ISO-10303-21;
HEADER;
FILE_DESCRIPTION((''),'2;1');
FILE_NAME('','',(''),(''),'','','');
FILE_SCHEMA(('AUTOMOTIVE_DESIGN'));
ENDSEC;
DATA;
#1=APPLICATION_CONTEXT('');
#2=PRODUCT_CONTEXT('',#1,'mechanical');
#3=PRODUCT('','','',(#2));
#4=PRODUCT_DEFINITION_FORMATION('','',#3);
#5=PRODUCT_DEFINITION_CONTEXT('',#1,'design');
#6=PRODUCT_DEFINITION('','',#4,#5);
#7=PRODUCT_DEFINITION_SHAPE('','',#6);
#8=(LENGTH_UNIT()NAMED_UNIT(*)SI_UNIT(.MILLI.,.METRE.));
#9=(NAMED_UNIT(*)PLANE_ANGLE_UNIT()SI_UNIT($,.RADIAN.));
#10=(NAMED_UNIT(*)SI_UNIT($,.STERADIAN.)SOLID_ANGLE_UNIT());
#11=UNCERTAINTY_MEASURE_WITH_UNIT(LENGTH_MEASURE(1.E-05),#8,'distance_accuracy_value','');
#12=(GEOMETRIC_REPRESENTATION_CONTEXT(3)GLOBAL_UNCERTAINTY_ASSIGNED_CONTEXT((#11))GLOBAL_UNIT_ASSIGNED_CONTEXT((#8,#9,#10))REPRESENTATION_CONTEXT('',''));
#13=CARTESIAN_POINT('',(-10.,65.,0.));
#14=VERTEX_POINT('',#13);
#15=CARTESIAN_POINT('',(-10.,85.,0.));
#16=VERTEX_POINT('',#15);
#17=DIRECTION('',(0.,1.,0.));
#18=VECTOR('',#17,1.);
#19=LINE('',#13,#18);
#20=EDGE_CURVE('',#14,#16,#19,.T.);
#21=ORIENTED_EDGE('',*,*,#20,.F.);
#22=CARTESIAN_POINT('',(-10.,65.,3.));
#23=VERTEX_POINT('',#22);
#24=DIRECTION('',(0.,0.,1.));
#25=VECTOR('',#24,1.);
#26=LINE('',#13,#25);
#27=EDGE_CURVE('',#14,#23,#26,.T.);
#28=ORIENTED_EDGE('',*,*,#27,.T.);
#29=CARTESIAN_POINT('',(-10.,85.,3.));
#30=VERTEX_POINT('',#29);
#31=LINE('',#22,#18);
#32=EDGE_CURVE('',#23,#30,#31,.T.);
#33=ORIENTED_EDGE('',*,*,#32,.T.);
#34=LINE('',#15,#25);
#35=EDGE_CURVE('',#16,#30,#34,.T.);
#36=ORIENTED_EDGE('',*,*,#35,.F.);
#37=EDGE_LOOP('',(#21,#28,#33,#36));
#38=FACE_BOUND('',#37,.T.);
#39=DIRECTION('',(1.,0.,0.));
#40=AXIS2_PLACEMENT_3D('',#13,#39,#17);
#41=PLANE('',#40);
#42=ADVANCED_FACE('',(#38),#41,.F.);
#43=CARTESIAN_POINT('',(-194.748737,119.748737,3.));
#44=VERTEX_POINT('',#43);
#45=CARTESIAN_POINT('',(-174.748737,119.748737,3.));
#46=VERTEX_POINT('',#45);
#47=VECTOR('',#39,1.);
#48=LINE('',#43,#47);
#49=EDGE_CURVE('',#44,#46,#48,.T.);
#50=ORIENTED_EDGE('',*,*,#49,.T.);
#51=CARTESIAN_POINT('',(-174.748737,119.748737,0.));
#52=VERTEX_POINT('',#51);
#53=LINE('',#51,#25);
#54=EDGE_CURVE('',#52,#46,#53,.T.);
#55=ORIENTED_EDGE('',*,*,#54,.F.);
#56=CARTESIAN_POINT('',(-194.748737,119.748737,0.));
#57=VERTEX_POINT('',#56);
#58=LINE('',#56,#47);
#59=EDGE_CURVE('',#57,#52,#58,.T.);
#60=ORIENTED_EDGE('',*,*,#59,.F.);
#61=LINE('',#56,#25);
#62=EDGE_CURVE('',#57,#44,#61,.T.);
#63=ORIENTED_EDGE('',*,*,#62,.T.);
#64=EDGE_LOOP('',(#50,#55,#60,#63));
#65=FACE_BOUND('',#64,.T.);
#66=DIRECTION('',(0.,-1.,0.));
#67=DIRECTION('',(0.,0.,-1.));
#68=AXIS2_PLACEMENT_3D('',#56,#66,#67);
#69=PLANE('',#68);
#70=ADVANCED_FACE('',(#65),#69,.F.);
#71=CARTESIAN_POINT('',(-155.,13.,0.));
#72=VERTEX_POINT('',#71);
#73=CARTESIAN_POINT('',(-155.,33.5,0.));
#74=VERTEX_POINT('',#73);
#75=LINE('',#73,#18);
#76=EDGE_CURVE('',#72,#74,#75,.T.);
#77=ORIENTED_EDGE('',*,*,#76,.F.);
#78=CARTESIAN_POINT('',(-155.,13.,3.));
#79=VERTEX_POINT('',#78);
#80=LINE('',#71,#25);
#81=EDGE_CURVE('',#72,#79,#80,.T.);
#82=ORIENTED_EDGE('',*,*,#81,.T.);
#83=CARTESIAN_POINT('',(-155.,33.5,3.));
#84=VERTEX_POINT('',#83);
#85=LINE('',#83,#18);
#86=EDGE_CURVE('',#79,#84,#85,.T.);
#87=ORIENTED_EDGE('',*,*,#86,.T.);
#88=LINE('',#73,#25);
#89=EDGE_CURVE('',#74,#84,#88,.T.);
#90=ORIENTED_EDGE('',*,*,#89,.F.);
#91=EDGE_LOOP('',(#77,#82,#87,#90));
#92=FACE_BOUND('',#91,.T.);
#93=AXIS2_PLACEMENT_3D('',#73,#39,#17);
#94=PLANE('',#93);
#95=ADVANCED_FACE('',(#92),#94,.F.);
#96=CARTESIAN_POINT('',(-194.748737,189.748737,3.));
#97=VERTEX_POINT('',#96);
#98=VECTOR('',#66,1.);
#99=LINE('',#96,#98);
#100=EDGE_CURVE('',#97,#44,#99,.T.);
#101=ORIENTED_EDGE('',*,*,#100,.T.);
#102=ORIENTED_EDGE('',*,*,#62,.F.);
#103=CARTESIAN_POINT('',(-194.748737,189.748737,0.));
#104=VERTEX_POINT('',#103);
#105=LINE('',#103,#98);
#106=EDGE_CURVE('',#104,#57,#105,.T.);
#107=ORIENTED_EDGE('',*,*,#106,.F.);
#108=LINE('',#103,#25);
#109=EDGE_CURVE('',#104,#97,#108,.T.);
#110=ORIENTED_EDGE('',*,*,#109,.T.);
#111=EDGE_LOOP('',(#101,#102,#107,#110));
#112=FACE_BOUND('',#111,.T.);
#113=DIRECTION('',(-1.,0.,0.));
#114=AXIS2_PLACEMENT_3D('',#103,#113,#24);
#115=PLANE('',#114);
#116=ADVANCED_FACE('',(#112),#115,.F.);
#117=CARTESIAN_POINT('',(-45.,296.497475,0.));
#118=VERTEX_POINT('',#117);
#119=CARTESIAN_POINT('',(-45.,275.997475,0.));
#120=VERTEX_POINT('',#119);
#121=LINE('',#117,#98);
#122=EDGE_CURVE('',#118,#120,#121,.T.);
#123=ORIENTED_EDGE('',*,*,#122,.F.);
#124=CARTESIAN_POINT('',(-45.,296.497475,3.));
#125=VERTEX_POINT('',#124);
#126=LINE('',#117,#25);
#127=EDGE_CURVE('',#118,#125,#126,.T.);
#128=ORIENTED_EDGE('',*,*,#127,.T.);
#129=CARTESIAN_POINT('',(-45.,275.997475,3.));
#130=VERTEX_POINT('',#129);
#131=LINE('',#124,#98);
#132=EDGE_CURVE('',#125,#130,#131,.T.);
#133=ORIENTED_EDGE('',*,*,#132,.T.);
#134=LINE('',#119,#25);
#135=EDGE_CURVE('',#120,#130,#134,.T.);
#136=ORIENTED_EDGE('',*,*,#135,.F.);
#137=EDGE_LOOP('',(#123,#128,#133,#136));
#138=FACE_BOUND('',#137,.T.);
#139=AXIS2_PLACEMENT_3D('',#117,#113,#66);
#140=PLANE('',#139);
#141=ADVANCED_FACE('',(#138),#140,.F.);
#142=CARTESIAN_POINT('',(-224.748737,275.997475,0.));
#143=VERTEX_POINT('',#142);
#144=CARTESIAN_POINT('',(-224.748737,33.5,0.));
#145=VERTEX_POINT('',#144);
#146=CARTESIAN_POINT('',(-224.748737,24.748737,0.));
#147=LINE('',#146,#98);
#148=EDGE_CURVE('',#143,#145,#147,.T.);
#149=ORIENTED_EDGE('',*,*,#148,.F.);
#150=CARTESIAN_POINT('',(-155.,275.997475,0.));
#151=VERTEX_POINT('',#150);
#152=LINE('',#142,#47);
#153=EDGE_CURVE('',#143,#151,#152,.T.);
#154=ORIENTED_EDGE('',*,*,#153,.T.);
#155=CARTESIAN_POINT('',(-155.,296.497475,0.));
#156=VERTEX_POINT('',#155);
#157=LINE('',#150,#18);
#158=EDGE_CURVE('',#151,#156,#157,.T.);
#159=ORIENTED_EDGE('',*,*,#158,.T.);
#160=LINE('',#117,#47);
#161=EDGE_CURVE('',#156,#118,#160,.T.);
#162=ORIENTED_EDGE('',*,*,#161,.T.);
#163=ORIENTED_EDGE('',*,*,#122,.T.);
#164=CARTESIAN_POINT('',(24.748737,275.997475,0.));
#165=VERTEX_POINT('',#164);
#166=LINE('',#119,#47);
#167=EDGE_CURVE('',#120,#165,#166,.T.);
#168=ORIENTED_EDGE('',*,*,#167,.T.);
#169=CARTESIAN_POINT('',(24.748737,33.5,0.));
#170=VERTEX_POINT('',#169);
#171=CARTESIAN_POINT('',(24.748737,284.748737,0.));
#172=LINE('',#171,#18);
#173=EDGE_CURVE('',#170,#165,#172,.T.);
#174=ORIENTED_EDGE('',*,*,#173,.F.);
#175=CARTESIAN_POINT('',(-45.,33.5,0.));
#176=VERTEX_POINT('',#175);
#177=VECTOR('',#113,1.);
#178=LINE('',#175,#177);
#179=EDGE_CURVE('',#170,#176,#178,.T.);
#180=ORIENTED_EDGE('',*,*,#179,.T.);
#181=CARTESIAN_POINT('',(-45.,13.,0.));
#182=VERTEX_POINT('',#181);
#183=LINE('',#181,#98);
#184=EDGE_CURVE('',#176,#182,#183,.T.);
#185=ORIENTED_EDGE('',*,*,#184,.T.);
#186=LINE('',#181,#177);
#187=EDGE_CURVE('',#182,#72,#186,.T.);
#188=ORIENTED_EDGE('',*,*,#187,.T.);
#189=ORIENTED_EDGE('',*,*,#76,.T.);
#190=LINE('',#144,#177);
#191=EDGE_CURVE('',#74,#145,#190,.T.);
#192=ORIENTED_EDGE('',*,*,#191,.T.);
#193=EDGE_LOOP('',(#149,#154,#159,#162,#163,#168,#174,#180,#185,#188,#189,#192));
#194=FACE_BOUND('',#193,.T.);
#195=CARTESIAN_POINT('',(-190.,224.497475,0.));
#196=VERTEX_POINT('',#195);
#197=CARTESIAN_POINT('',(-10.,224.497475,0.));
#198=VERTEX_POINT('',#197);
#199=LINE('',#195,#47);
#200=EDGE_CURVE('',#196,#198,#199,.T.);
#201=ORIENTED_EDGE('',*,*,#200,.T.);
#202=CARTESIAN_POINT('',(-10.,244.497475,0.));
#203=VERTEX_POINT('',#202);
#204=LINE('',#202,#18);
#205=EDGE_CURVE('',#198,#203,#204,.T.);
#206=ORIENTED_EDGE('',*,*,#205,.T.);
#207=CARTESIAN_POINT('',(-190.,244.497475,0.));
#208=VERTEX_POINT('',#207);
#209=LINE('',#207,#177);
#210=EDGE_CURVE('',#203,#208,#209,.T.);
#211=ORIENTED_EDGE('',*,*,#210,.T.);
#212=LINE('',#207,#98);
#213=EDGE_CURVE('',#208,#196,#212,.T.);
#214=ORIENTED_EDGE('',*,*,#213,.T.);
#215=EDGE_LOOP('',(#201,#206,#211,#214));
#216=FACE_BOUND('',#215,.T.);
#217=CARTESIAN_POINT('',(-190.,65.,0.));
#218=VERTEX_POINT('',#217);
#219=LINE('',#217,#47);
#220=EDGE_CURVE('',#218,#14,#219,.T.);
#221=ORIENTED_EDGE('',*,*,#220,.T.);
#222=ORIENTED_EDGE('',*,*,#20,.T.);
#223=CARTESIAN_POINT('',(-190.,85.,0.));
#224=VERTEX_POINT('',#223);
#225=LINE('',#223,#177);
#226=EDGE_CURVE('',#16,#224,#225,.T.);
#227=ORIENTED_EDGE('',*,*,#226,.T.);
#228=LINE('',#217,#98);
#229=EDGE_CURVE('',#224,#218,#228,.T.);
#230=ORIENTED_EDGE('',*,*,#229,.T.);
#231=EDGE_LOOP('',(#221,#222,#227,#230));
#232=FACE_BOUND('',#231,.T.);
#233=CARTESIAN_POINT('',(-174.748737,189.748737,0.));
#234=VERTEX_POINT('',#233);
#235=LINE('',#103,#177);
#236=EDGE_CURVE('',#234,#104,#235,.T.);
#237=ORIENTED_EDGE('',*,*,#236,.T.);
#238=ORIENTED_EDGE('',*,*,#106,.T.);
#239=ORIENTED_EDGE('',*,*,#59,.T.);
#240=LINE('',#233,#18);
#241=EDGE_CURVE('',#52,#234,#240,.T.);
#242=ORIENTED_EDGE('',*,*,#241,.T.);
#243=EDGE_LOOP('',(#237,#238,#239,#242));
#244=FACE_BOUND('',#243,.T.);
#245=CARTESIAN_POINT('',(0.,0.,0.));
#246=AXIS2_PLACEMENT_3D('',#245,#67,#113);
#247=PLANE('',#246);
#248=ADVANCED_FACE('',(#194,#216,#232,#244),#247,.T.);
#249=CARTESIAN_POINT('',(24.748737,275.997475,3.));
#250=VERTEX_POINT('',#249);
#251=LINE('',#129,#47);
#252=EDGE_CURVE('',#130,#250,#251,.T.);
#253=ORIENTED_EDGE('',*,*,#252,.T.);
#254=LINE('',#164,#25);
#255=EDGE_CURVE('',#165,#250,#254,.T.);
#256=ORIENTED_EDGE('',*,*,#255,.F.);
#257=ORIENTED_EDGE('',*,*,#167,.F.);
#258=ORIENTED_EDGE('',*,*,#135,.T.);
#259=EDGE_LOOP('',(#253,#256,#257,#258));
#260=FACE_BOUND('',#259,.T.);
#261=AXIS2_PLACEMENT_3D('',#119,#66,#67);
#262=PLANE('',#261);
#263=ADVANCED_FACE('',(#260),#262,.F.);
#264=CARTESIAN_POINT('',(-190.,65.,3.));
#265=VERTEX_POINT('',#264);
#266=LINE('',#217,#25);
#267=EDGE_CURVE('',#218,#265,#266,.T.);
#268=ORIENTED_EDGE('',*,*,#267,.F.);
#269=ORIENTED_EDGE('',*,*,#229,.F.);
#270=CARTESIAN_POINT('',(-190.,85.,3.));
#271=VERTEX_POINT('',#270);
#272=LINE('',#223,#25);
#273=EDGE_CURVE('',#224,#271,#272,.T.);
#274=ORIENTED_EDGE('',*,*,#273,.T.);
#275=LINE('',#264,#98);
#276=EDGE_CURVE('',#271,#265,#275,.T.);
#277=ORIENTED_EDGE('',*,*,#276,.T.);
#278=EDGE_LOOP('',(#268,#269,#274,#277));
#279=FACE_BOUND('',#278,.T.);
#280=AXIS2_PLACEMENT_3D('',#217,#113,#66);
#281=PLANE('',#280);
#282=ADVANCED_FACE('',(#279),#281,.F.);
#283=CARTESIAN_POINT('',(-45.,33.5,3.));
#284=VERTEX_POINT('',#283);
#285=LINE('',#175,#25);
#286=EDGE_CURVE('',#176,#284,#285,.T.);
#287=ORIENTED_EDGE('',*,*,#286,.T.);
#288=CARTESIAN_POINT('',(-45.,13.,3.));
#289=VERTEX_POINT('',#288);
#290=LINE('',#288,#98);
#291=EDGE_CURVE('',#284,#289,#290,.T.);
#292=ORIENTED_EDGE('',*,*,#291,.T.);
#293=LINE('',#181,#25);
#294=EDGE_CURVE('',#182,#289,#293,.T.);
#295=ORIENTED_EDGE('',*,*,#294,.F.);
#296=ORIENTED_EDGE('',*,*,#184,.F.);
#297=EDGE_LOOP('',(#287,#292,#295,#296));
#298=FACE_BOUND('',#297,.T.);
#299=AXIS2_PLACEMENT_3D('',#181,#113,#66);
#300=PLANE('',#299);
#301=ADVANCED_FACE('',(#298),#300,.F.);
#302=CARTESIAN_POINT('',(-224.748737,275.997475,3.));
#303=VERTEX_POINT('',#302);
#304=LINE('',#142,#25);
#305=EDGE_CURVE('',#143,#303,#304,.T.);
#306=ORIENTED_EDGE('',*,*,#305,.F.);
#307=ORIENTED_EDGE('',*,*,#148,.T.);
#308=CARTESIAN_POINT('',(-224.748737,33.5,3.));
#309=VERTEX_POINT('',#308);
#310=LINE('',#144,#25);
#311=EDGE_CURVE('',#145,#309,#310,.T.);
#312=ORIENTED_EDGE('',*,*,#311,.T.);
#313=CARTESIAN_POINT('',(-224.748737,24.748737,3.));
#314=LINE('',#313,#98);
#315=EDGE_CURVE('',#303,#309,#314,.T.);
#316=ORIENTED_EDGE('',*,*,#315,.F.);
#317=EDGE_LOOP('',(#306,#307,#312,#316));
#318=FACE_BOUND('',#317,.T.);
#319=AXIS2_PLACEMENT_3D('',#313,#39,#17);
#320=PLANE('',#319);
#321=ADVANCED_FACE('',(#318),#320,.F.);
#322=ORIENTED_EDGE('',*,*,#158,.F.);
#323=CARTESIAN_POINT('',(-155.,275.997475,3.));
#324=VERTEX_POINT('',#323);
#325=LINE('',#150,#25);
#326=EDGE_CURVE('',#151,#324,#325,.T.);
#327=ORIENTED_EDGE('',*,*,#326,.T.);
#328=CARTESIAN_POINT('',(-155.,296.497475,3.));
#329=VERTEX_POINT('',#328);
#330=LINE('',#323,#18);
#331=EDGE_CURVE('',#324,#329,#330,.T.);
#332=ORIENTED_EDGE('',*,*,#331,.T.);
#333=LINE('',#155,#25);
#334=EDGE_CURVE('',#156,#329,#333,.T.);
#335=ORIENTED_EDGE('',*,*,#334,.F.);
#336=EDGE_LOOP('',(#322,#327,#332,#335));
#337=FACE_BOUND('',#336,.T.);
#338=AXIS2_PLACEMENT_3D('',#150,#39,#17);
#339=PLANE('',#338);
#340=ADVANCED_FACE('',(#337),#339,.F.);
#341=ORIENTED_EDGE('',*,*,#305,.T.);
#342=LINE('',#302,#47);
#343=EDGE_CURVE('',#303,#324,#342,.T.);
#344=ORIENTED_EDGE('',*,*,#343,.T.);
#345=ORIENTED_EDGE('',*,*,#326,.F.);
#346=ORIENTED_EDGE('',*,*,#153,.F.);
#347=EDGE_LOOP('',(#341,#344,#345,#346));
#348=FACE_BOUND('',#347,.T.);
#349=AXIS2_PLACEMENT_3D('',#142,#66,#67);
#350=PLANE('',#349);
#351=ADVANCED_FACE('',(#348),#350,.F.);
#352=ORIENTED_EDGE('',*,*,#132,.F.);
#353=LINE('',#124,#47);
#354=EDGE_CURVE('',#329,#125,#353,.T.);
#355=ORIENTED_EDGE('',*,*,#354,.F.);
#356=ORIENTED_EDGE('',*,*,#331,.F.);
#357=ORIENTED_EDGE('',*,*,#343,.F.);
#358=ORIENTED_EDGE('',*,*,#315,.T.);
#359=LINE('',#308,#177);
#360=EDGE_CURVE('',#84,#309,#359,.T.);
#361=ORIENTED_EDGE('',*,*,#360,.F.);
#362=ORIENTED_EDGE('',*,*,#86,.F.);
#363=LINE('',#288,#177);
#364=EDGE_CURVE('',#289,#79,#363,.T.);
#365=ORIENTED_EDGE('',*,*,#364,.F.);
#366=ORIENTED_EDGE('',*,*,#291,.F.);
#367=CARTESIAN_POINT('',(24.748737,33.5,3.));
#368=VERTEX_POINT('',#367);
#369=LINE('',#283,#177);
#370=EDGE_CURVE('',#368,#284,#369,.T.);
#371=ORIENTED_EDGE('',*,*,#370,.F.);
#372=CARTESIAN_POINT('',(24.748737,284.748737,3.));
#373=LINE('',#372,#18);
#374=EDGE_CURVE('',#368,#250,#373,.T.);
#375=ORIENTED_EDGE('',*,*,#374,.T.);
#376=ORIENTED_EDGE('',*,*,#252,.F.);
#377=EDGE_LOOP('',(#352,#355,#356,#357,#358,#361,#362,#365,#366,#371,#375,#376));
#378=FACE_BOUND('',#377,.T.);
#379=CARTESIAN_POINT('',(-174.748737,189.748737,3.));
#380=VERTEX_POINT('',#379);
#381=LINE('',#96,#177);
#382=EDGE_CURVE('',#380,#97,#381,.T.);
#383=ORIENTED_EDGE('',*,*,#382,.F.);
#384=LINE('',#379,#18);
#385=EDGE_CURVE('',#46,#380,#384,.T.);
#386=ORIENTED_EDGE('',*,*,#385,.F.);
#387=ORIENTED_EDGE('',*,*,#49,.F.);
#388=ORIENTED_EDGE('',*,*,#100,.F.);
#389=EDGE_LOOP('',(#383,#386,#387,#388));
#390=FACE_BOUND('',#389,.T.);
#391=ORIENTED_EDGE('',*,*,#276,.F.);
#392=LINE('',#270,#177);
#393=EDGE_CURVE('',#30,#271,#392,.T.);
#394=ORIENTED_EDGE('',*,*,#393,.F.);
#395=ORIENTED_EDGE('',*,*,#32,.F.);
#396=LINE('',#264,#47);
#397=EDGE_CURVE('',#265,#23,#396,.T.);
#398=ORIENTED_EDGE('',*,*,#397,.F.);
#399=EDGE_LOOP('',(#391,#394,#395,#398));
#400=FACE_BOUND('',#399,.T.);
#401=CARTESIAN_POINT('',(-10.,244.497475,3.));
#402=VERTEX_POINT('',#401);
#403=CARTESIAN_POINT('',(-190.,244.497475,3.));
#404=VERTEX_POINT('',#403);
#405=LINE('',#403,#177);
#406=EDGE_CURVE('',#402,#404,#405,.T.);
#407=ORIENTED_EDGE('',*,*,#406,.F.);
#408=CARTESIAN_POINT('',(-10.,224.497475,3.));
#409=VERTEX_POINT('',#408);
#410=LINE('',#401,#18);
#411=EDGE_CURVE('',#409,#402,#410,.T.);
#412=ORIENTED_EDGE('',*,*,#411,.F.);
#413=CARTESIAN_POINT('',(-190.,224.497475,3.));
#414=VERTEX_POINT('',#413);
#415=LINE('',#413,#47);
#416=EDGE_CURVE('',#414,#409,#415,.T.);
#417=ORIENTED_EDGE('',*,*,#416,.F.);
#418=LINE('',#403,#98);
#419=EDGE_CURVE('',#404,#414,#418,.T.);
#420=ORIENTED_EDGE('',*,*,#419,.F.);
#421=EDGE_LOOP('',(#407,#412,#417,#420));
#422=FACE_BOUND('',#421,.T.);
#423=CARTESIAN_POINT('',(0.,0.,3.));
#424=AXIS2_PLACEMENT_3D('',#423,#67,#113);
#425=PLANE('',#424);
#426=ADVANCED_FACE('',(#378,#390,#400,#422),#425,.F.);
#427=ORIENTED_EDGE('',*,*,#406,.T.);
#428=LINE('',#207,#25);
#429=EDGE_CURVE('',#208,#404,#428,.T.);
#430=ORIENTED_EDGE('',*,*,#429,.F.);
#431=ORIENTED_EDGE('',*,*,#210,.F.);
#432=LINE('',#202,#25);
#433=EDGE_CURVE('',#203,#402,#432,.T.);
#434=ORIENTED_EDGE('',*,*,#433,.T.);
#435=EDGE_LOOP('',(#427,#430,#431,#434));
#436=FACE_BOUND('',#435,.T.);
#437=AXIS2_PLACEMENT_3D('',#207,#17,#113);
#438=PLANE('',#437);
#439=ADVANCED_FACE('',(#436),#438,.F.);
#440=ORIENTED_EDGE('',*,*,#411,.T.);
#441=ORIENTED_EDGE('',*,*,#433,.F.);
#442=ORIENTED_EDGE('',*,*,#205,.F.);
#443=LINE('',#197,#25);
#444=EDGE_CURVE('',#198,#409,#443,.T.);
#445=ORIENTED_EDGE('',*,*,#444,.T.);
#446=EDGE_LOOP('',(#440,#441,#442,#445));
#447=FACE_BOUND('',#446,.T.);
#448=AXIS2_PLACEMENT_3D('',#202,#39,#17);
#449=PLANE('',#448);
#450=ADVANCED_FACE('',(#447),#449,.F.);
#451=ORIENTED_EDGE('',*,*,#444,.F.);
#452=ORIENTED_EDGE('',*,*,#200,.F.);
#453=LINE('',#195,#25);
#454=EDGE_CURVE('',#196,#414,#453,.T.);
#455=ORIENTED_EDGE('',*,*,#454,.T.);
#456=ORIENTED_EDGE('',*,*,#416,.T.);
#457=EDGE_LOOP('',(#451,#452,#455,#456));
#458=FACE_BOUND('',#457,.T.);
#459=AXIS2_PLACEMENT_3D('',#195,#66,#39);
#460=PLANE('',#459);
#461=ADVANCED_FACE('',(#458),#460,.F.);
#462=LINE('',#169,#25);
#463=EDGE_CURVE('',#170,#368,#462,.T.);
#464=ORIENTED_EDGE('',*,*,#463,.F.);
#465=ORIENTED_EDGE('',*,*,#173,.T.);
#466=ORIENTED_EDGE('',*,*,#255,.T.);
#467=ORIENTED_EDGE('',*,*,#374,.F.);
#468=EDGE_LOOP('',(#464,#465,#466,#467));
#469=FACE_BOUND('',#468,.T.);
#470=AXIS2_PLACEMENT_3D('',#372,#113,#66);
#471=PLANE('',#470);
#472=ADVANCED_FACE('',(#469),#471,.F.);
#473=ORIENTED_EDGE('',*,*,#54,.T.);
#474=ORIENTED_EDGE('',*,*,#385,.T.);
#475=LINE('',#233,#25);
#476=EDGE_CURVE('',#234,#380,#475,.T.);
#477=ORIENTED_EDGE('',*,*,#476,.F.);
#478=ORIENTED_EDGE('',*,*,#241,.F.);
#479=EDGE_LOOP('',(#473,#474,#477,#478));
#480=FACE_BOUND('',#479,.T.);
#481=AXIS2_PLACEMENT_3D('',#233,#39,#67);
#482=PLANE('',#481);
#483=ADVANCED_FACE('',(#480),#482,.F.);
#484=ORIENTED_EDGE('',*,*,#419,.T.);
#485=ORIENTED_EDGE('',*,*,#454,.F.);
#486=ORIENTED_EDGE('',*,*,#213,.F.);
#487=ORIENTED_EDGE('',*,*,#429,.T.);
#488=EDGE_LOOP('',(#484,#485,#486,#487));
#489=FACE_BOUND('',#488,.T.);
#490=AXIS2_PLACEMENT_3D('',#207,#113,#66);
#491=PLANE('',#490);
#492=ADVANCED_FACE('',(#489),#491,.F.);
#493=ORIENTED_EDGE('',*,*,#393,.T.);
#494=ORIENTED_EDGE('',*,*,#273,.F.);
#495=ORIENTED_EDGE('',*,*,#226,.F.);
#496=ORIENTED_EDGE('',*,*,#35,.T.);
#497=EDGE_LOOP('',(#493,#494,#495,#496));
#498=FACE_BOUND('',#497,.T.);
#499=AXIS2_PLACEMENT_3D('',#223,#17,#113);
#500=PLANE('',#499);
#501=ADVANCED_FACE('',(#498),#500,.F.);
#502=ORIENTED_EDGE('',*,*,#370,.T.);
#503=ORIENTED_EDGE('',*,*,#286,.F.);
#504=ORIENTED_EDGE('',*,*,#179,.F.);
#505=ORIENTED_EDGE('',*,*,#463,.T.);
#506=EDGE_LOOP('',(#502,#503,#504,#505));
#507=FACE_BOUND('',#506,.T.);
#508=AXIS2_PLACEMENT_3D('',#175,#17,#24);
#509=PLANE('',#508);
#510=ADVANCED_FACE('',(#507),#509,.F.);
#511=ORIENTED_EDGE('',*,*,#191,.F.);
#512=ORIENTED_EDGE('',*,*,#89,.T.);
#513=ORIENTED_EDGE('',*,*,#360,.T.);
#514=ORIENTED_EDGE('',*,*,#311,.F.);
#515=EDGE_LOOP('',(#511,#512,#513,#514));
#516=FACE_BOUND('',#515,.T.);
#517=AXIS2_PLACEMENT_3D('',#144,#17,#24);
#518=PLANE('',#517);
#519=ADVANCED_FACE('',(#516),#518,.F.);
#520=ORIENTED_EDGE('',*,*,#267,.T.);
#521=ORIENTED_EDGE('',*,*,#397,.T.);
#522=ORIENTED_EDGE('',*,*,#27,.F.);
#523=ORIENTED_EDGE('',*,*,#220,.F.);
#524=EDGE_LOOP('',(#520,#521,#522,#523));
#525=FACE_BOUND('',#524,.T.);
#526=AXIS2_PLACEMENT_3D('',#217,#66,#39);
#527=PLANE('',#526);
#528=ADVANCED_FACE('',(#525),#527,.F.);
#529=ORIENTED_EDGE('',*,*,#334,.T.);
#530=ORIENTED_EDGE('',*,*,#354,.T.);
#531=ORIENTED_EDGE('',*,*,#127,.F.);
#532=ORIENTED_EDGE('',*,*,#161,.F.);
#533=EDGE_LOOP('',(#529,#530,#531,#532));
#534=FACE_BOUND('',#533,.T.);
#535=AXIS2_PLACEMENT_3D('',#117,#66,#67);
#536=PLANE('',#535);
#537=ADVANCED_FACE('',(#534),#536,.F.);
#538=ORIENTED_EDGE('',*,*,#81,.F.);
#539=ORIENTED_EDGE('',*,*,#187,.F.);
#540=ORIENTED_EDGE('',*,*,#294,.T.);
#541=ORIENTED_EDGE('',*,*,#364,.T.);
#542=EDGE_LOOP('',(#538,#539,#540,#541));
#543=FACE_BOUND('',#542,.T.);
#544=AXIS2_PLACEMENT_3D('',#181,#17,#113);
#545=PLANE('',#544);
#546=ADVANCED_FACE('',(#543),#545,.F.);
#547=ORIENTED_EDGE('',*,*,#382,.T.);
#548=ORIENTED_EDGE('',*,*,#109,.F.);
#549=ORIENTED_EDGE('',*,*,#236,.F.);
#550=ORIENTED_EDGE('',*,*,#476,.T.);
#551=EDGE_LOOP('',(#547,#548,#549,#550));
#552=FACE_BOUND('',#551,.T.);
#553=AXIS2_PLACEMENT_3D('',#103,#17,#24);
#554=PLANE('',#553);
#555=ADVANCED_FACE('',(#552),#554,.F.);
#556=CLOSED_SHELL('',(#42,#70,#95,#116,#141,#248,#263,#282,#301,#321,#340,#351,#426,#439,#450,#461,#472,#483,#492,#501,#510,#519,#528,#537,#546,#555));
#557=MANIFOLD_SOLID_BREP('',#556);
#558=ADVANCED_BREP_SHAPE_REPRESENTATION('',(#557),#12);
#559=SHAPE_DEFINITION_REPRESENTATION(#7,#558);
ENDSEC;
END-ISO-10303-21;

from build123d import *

# Parameters (mm, degrees)
BASE_DEPTH              = 3
PROFIL_S_DEPTH          = 3
ESQUISSE3_W             = 180
ESQUISSE3_H             = 20
ESQUISSE3_W_2           = 20
ESQUISSE3_H_2           = 70
ENL_V_MAT_EXTRU_1_DEPTH = 3


with BuildPart() as part:
    # Esquisse1 → Base (new body)
    with BuildSketch(Plane.XY):
        Polygon((0, 0), (-200, 0), (-224.748737342, 24.748737342), (-224.748737342, 284.748737342), (-200, 309.497474683), (0, 309.497474683), (24.748737342, 284.748737342), (24.748737342, 24.748737342), align=None)
    extrude(amount=BASE_DEPTH)

    # Esquisse2 → profilés (cut)
    with BuildSketch(Plane.XY.offset(3)):
        Polygon((-45, 13), (-155, 13), (-155, 33.5), (-224.748737342, 33.5), (-224.748737342, 0), (24.748737342, 0), (24.748737342, 33.5), (-45, 33.5), align=None)
        Polygon((24.748737342, 309.497474683), (24.748737342, 275.997474683), (-45, 275.997474683), (-45, 296.497474683), (-155, 296.497474683), (-155, 275.997474683), (-224.748737342, 275.997474683), (-224.748737342, 309.497474683), align=None)
    extrude(amount=-PROFIL_S_DEPTH, mode=Mode.SUBTRACT)

    # Esquisse3 → Enlèv. mat.-Extru.1 (cut)
    with BuildSketch(Plane.XY.offset(3)):
        with Locations((-100, 234.497474683)):
            Rectangle(ESQUISSE3_W, ESQUISSE3_H)
        with Locations((-100, 75)):
            Rectangle(ESQUISSE3_W, ESQUISSE3_H)
        with Locations((-184.748737342, 154.748737342)):
            Rectangle(ESQUISSE3_W_2, ESQUISSE3_H_2)
    extrude(amount=-ENL_V_MAT_EXTRU_1_DEPTH, mode=Mode.SUBTRACT)


solid = part.part
